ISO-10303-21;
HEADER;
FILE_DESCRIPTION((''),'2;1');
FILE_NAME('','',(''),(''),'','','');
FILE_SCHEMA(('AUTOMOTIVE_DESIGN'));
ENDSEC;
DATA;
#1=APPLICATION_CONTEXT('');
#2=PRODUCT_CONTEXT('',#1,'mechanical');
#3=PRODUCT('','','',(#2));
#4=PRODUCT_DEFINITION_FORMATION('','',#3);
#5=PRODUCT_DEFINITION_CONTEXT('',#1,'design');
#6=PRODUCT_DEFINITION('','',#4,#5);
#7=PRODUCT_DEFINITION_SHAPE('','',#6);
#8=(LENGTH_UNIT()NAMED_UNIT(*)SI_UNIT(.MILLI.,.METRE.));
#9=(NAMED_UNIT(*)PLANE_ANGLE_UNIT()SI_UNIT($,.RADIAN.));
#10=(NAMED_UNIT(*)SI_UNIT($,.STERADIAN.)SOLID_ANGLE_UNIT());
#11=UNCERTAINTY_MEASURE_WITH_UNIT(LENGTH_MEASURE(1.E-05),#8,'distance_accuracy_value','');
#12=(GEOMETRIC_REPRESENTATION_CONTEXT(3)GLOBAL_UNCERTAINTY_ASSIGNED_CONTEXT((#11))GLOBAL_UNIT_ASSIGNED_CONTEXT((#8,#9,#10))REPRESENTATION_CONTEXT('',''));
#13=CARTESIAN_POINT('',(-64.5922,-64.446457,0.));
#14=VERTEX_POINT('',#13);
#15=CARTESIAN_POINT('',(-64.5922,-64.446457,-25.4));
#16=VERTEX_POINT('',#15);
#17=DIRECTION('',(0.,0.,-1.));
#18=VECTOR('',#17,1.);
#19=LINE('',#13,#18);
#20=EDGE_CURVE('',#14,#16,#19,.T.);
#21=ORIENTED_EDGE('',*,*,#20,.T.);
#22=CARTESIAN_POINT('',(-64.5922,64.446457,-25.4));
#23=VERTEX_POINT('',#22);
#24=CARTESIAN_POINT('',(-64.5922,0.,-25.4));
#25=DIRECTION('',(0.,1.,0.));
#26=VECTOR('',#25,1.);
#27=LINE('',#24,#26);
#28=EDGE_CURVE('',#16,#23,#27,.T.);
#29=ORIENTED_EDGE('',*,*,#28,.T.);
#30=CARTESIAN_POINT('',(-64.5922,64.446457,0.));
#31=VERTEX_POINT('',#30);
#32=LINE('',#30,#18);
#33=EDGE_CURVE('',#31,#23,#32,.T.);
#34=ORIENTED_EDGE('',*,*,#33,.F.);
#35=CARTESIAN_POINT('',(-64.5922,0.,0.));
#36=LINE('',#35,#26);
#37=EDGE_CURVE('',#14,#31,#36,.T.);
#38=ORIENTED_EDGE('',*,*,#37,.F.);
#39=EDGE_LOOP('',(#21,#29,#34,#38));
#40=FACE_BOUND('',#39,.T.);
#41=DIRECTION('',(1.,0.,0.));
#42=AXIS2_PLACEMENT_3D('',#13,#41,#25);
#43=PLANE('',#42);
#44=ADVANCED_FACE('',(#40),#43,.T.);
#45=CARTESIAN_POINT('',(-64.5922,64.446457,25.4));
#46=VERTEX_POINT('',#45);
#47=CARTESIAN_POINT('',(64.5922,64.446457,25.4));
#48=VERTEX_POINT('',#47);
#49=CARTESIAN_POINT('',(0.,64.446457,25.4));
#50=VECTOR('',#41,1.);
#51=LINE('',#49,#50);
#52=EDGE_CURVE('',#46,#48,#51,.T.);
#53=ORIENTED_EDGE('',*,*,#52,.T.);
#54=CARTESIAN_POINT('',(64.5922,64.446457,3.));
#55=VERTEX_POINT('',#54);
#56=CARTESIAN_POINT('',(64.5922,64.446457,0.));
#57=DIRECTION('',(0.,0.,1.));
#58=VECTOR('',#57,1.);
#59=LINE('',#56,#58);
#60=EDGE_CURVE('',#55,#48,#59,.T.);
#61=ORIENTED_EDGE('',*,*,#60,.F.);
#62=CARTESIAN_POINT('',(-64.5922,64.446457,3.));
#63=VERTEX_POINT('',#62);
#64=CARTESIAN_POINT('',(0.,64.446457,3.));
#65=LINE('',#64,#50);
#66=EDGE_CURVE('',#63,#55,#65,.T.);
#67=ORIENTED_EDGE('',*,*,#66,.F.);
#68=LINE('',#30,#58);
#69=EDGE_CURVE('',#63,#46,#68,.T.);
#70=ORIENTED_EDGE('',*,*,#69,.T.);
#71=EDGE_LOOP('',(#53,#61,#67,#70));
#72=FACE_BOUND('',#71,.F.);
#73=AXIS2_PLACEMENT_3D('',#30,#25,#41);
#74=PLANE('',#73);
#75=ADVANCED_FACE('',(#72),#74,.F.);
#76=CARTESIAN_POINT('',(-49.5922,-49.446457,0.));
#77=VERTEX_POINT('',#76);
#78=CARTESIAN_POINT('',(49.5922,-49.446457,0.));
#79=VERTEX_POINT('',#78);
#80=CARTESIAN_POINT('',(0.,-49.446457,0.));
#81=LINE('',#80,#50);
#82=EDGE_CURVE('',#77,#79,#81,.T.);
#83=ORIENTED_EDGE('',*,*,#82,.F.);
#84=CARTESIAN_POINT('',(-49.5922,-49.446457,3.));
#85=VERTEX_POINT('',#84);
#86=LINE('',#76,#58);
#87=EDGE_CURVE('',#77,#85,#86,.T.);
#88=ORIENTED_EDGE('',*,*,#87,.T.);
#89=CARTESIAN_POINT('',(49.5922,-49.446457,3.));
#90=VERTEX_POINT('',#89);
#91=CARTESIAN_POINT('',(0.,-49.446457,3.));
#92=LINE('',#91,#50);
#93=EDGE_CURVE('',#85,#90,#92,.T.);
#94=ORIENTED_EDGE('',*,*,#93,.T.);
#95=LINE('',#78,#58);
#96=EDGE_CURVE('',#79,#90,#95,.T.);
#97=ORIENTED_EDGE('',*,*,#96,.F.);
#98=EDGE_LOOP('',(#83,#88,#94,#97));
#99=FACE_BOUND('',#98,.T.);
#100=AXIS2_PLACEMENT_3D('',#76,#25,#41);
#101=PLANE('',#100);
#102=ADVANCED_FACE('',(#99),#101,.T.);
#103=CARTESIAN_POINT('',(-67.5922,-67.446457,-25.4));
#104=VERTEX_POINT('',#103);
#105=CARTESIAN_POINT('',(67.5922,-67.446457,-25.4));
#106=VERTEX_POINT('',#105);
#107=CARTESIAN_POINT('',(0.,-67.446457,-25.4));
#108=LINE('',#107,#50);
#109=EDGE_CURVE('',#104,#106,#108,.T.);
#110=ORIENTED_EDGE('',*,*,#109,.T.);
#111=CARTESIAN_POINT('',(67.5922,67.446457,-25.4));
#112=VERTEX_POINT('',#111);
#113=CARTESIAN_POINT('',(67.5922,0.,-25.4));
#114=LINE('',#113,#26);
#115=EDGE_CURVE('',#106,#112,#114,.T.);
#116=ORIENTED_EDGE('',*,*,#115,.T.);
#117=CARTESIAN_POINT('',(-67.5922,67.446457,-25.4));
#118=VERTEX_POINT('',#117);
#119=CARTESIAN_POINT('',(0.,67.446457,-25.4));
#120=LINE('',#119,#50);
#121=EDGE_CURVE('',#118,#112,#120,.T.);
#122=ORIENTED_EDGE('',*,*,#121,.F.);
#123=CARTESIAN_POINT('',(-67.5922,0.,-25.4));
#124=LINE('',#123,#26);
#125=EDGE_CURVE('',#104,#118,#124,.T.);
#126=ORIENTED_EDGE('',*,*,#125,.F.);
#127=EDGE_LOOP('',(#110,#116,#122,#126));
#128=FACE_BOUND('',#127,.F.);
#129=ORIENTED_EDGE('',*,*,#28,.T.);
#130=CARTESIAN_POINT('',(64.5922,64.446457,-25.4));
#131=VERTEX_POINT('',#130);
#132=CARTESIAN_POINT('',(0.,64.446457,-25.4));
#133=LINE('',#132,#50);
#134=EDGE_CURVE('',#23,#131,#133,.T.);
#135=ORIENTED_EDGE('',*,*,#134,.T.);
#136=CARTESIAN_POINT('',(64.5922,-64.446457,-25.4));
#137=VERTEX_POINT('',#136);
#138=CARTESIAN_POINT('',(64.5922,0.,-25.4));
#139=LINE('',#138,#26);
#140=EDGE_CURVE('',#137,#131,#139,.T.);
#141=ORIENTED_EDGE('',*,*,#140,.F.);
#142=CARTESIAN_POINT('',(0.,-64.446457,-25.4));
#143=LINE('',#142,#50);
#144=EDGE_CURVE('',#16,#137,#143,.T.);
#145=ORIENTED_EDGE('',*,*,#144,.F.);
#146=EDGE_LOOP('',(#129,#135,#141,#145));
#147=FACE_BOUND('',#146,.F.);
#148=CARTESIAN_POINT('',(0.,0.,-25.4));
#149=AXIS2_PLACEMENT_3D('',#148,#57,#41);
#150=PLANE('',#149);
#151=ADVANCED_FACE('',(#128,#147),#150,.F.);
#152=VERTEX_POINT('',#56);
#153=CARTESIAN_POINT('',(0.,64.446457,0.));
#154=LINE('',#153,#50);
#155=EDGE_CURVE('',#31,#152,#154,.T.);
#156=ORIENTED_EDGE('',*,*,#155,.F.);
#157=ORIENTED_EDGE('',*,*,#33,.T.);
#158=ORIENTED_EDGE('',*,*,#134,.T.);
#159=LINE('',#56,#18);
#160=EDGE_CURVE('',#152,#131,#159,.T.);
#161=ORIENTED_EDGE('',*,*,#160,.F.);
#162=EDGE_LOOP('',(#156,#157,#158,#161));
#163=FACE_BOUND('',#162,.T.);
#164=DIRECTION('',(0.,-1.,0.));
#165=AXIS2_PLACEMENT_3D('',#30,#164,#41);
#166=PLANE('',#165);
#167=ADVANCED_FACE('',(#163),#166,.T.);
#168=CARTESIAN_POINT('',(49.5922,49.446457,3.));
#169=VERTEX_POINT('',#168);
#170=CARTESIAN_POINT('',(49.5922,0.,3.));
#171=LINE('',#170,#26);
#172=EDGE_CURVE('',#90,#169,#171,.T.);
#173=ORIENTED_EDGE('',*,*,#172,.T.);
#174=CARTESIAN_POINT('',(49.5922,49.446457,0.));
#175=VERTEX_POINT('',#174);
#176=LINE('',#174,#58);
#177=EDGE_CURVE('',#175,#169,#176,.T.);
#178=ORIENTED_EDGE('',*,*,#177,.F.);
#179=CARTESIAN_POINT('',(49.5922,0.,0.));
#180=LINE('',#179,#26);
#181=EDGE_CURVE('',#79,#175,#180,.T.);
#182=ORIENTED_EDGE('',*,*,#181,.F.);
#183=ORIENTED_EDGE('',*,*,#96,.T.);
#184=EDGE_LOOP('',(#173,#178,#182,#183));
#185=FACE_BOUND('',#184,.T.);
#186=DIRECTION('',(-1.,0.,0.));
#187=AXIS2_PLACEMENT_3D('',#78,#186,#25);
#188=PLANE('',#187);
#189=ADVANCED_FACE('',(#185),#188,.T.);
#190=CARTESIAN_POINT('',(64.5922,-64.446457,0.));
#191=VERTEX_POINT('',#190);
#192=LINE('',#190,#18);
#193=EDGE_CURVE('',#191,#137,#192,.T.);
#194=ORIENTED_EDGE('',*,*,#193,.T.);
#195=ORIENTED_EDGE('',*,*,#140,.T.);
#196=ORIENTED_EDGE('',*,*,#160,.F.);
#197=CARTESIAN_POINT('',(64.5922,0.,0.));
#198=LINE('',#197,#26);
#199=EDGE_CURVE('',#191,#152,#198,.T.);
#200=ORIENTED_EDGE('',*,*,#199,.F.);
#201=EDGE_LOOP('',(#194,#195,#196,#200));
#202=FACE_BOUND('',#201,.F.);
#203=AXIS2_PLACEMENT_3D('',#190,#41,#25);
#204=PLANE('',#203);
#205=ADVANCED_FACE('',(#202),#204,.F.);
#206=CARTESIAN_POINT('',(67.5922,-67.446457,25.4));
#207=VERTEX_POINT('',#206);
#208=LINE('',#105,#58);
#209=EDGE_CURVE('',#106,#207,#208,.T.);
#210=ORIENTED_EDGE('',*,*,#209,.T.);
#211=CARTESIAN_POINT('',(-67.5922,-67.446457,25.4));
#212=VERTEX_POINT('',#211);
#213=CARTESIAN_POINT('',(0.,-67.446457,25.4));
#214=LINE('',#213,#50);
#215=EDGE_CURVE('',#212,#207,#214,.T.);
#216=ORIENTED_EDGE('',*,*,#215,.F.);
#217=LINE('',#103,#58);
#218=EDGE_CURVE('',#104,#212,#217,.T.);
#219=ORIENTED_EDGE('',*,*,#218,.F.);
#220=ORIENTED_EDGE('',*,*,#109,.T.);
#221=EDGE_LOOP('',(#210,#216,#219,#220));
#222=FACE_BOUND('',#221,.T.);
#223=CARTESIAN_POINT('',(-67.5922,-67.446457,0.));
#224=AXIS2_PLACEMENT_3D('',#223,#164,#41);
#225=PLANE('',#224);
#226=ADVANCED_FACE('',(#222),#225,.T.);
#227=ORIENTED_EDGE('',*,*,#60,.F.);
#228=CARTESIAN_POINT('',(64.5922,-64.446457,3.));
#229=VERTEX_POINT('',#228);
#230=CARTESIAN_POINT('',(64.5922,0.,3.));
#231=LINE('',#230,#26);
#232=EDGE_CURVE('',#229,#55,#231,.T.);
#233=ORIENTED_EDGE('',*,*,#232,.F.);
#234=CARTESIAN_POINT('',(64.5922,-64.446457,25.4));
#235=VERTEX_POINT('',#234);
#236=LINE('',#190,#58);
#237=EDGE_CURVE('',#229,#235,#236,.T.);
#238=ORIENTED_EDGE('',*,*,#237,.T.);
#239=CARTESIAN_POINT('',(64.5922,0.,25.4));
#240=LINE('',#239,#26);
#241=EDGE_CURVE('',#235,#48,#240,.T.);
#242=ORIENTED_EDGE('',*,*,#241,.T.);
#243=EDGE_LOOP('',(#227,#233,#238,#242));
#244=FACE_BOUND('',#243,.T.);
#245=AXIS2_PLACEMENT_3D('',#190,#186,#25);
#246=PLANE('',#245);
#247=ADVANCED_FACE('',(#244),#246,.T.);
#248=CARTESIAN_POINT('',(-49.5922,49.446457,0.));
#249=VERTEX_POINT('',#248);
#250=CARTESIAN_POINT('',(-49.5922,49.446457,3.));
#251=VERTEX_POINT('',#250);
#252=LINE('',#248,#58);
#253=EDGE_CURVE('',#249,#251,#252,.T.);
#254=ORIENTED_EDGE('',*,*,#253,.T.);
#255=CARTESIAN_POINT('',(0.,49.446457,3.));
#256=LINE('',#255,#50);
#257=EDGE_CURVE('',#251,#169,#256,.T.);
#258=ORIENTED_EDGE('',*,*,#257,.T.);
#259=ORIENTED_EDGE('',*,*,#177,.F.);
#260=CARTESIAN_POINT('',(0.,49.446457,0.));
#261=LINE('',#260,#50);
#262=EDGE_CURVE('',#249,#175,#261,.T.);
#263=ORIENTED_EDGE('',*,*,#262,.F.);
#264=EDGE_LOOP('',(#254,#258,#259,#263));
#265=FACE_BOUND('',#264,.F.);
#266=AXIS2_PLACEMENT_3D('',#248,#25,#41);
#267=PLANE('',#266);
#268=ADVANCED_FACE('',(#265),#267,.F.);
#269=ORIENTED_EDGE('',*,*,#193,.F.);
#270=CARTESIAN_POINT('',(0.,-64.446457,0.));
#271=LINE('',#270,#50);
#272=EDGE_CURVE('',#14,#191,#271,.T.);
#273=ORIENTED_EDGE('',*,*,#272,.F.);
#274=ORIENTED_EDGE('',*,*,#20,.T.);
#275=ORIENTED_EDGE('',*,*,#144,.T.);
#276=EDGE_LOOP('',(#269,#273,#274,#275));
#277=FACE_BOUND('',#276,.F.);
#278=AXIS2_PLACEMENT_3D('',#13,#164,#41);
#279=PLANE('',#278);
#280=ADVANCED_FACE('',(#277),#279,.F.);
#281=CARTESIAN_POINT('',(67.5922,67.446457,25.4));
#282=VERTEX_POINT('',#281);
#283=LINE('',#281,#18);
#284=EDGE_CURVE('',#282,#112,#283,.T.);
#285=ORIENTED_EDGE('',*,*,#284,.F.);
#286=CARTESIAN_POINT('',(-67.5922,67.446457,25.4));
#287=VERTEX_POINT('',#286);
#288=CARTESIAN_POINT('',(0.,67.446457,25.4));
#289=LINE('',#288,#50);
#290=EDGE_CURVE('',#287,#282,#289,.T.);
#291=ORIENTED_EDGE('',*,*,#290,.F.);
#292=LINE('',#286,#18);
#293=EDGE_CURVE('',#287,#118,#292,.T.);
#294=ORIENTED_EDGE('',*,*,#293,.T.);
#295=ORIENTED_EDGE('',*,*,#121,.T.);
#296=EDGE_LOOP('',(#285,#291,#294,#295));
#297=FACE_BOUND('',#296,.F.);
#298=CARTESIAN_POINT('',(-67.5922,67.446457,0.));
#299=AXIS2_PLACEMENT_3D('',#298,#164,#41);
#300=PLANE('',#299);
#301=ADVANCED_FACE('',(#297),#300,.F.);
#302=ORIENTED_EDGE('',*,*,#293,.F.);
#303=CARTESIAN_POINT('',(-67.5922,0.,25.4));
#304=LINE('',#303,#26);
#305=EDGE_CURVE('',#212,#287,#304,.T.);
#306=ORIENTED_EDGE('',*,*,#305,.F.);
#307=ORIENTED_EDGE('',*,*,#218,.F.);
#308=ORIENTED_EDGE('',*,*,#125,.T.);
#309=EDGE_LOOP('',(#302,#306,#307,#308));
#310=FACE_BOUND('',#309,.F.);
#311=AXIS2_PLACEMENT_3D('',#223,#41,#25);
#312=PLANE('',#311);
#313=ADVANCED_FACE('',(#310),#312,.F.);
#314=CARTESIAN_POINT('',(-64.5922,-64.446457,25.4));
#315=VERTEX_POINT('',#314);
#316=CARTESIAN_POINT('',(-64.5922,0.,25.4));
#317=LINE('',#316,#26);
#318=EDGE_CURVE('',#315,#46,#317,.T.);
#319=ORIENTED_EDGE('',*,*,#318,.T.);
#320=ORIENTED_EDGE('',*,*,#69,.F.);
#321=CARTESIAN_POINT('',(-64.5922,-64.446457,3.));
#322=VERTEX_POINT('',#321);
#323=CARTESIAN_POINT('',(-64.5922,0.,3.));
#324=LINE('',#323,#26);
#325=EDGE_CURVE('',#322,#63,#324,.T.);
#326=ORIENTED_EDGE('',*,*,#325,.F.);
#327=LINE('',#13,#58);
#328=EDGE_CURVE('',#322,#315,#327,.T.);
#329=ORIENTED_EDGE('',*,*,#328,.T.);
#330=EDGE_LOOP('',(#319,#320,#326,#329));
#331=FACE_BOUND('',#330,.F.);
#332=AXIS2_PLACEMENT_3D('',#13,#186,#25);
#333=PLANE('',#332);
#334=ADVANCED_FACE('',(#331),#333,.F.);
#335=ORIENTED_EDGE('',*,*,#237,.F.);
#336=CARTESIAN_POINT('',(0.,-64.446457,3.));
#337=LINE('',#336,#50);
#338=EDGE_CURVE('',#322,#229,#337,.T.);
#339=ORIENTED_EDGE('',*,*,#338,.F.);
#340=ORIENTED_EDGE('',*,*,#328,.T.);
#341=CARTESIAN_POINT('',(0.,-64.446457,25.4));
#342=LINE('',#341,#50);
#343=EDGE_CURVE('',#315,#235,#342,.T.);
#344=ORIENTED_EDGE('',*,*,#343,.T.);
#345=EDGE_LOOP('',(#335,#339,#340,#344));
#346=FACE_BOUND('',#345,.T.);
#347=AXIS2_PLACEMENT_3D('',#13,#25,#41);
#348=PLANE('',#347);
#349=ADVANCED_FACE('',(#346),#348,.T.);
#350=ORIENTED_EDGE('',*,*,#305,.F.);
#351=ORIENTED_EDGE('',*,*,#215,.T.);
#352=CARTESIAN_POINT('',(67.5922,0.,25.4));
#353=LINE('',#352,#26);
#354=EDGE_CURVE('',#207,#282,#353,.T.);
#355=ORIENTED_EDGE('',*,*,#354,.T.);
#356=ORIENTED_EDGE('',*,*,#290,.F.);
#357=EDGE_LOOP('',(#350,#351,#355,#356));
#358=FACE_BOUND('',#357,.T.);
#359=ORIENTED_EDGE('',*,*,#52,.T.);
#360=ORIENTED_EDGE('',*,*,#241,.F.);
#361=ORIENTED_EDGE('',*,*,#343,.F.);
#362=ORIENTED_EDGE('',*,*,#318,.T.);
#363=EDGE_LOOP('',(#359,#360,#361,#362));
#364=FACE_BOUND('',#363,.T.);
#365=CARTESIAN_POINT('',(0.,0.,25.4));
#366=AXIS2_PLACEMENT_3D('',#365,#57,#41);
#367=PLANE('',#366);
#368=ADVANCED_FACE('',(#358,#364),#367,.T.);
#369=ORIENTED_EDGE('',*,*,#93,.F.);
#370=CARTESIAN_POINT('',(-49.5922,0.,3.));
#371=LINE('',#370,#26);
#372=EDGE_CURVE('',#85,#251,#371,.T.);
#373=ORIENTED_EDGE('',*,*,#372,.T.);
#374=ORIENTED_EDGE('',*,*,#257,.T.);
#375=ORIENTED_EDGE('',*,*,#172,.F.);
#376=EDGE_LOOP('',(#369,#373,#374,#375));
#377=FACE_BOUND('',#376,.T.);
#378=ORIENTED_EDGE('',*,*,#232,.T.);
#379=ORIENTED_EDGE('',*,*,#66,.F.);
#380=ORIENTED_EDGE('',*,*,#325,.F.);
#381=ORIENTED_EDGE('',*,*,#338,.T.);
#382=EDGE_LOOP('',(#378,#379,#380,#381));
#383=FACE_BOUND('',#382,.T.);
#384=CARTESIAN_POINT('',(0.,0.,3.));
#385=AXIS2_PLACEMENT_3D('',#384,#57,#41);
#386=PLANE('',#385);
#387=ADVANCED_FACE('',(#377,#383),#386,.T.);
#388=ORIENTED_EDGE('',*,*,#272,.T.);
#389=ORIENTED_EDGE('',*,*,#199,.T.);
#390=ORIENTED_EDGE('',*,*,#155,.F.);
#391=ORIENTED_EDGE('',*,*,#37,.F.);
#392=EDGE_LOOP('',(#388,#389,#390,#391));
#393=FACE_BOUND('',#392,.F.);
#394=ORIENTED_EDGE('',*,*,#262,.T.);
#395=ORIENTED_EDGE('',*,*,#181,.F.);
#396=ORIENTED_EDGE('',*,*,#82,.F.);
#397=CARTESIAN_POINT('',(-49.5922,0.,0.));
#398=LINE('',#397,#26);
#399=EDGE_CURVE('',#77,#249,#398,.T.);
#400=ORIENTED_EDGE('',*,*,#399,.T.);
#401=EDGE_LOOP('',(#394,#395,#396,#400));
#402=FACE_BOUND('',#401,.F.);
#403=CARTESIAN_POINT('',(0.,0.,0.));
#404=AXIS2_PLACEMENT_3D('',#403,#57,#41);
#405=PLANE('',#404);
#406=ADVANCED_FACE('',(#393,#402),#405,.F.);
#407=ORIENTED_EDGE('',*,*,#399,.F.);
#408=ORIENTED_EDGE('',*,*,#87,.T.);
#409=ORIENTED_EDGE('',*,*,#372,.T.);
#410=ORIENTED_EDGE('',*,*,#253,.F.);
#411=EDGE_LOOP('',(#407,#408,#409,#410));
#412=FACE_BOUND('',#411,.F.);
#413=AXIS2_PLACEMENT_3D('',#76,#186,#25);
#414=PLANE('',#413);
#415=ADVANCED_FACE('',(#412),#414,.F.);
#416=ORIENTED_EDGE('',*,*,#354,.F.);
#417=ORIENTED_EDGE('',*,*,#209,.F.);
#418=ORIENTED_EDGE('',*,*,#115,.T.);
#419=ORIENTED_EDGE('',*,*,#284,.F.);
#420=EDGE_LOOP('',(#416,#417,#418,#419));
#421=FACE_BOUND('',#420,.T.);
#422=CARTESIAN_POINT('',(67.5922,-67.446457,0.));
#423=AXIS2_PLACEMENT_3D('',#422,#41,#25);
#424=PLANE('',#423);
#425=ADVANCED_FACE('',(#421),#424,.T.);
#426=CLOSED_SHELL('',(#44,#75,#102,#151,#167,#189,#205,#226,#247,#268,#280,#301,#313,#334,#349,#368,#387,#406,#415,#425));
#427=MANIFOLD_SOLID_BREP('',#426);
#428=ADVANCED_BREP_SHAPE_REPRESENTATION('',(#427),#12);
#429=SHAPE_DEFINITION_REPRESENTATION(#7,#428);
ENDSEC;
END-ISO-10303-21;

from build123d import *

# Parameters (mm, degrees)
F0_W          = 129.1844
F0_H          = 128.892914
F0_W_2        = 99.1844
F0_H_2        = 98.892914
F1_DEPTH      = 3
F2_W          = 135.1844
F2_H          = 134.892914
F2_W_2        = 129.1844
F2_H_2        = 128.892914
F3_DEPTH      = 25.4
F3_DEPTH_BACK = 25.4


with BuildPart() as f1:
    # F0 (on Top) → F1 (new body)
    with BuildSketch(Plane.XY):
        Rectangle(F0_W, F0_H)
        Rectangle(F0_W_2, F0_H_2, mode=Mode.SUBTRACT)
    extrude(amount=F1_DEPTH)

    # F2 (on Top) → F3 (join, two sides)
    with BuildSketch(Plane.XY) as f3_sk:
        Rectangle(F2_W, F2_H)
        Rectangle(F2_W_2, F2_H_2, mode=Mode.SUBTRACT)
    extrude(amount=F3_DEPTH)
    extrude(f3_sk.sketch, amount=-F3_DEPTH_BACK)


solid = f1.part
